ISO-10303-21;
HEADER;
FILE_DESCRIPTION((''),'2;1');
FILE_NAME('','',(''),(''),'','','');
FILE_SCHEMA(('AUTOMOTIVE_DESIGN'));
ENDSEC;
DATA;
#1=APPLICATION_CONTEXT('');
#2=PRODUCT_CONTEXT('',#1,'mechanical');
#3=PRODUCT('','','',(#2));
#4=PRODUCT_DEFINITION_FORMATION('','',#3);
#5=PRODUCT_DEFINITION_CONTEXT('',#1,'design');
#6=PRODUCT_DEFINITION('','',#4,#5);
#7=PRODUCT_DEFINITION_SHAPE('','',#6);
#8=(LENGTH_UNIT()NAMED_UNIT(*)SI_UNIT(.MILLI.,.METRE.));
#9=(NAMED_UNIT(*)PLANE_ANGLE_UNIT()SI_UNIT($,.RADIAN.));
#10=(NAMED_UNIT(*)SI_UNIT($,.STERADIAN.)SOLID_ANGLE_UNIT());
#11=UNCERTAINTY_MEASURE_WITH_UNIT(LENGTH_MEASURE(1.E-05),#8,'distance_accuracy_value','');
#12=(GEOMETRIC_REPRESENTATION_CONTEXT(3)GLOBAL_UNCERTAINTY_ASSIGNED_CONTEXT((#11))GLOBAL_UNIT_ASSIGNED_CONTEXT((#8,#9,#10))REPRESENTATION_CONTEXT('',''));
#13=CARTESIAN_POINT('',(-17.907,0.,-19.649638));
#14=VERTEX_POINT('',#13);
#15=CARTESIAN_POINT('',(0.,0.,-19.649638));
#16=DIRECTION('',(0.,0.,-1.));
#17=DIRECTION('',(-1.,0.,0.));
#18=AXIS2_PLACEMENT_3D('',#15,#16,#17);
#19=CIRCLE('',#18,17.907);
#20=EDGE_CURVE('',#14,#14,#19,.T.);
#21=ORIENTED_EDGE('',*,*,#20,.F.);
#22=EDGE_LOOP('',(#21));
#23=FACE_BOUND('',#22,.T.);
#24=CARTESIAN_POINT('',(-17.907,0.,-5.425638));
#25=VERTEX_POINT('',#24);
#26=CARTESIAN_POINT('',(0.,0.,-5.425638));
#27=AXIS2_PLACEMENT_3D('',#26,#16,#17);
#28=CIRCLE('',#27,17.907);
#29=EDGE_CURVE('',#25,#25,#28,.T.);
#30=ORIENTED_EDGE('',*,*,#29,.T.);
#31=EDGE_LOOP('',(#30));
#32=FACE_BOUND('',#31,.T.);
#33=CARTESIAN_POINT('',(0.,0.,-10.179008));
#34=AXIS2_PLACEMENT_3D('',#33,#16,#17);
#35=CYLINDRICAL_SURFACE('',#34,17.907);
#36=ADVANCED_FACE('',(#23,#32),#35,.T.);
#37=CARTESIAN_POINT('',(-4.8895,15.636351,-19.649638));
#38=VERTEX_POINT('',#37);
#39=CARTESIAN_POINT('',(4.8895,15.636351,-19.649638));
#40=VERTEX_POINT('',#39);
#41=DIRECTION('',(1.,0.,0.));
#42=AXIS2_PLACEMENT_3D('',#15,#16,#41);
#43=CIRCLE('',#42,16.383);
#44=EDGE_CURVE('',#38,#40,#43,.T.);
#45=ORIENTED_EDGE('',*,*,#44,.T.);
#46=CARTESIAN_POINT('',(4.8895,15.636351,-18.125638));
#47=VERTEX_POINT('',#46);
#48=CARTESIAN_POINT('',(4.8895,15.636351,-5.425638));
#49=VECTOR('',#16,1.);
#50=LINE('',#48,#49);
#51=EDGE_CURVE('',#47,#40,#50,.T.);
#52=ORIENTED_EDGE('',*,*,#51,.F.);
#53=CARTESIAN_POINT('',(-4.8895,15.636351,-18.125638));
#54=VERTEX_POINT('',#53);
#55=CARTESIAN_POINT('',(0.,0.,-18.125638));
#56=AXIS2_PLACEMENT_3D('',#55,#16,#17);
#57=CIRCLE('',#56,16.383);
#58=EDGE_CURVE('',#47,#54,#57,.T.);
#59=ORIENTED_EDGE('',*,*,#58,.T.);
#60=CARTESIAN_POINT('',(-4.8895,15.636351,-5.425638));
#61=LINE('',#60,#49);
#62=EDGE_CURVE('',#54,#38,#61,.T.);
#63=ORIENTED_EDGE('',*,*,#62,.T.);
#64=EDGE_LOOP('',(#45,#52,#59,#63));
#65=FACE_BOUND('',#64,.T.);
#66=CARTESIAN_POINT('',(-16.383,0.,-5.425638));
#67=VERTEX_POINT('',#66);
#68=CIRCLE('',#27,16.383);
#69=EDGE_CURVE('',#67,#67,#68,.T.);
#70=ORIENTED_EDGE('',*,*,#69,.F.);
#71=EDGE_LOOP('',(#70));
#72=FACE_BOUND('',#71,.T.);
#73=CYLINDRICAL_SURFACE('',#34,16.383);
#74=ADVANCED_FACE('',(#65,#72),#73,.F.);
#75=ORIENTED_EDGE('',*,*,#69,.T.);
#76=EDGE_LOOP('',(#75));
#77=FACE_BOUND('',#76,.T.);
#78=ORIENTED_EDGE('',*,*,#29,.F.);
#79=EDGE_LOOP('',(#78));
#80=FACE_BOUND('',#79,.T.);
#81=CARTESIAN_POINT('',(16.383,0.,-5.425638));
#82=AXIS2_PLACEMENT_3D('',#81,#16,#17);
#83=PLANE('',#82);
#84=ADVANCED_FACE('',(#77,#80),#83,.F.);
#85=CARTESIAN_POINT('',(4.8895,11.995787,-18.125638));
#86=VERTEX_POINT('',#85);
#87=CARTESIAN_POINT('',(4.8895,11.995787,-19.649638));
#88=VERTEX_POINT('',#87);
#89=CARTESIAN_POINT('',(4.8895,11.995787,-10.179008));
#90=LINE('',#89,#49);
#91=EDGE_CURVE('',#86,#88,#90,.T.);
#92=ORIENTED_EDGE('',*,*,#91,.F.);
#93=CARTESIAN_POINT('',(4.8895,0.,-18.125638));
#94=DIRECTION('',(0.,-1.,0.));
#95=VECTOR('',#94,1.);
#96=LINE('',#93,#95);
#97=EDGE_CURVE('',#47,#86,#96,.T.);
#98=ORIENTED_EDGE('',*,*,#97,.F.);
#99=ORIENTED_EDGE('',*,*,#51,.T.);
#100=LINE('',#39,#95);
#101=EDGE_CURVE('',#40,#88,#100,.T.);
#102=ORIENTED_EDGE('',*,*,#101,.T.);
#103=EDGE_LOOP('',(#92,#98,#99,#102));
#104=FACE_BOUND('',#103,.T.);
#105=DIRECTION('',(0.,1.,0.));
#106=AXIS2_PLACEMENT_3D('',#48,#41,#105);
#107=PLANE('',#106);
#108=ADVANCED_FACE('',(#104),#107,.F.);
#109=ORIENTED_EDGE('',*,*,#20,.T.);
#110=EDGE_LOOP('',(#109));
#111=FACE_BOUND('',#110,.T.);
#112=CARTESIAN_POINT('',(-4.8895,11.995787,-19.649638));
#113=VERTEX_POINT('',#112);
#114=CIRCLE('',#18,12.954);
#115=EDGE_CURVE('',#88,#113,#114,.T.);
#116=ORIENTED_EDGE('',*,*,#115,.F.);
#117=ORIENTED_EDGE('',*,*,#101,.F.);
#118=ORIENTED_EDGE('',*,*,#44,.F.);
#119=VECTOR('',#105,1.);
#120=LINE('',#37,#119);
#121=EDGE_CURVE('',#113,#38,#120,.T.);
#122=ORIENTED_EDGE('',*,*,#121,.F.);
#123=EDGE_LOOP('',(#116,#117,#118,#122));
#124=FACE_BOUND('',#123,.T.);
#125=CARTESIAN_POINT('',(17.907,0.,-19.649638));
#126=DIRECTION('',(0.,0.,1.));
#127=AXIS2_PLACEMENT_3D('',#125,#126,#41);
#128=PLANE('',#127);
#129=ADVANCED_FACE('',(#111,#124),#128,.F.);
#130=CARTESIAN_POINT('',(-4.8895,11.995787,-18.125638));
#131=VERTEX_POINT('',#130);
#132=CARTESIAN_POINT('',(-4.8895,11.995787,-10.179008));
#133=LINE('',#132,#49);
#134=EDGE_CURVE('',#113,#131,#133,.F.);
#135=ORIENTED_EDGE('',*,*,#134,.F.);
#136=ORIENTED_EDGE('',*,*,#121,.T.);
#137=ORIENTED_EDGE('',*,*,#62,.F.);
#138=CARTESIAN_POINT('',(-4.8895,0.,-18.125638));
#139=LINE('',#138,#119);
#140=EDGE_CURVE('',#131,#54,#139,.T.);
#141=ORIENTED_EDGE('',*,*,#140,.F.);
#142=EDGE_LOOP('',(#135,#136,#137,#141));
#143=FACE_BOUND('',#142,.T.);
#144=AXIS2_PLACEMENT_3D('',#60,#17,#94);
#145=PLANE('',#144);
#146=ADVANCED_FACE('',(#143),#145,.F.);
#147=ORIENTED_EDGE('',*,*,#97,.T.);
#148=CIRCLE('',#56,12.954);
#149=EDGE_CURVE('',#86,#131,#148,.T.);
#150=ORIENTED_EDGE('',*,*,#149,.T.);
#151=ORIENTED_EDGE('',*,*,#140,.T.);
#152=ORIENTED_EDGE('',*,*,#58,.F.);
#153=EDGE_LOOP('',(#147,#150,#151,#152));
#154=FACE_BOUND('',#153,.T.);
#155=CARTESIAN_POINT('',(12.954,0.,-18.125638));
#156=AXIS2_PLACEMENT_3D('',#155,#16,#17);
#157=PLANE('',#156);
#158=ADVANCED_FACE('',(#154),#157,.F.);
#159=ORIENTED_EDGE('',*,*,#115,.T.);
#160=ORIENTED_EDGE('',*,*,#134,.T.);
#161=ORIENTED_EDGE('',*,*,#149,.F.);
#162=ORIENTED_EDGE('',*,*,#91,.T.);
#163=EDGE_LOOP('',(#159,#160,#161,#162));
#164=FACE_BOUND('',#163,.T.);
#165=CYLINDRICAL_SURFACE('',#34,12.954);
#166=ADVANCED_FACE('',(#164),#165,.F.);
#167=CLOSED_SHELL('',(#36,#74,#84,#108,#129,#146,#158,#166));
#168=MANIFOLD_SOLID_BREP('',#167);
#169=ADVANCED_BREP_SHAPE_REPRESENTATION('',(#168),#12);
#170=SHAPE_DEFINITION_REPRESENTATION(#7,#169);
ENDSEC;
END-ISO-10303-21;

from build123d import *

# Parameters (mm, degrees)
CUT_EXTRUDE1_DEPTH = 15.224


with BuildPart() as part:
    # Sketch1 → Revolve1 (revolve)
    with BuildSketch(Plane(origin=(0, 0, 0), x_dir=(1, 0, 0), z_dir=(0, 1, 0))):
        Polygon((16.383, 5.425637802), (17.907, 5.425637802), (17.907, 19.649637802), (12.954, 19.649637802), (12.954, 18.125637802), (16.383, 18.125637802), align=None)
    revolve(axis=Axis((0, 0, -10.179008168), (0, 0, 1)))

    # Sketch2 → Cut-Extrude1 (cut, through all)
    with BuildSketch(Plane(origin=(0, 0, -19.649637802), x_dir=(-1, 0, 0), z_dir=(0, 0, -1))):
        with BuildLine():
            Line((-4.8895, 15.636351197), (-4.8895, 10.556351197))
            Line((-4.8895, 10.556351197), (4.8895, 10.556351197))
            Line((4.8895, 10.556351197), (4.8895, 15.636351197))
            ThreePointArc((4.8895, 15.636351197), (0, 16.383), (-4.8895, 15.636351197))
        make_face()
    extrude(amount=-CUT_EXTRUDE1_DEPTH, mode=Mode.SUBTRACT)


solid = part.part
